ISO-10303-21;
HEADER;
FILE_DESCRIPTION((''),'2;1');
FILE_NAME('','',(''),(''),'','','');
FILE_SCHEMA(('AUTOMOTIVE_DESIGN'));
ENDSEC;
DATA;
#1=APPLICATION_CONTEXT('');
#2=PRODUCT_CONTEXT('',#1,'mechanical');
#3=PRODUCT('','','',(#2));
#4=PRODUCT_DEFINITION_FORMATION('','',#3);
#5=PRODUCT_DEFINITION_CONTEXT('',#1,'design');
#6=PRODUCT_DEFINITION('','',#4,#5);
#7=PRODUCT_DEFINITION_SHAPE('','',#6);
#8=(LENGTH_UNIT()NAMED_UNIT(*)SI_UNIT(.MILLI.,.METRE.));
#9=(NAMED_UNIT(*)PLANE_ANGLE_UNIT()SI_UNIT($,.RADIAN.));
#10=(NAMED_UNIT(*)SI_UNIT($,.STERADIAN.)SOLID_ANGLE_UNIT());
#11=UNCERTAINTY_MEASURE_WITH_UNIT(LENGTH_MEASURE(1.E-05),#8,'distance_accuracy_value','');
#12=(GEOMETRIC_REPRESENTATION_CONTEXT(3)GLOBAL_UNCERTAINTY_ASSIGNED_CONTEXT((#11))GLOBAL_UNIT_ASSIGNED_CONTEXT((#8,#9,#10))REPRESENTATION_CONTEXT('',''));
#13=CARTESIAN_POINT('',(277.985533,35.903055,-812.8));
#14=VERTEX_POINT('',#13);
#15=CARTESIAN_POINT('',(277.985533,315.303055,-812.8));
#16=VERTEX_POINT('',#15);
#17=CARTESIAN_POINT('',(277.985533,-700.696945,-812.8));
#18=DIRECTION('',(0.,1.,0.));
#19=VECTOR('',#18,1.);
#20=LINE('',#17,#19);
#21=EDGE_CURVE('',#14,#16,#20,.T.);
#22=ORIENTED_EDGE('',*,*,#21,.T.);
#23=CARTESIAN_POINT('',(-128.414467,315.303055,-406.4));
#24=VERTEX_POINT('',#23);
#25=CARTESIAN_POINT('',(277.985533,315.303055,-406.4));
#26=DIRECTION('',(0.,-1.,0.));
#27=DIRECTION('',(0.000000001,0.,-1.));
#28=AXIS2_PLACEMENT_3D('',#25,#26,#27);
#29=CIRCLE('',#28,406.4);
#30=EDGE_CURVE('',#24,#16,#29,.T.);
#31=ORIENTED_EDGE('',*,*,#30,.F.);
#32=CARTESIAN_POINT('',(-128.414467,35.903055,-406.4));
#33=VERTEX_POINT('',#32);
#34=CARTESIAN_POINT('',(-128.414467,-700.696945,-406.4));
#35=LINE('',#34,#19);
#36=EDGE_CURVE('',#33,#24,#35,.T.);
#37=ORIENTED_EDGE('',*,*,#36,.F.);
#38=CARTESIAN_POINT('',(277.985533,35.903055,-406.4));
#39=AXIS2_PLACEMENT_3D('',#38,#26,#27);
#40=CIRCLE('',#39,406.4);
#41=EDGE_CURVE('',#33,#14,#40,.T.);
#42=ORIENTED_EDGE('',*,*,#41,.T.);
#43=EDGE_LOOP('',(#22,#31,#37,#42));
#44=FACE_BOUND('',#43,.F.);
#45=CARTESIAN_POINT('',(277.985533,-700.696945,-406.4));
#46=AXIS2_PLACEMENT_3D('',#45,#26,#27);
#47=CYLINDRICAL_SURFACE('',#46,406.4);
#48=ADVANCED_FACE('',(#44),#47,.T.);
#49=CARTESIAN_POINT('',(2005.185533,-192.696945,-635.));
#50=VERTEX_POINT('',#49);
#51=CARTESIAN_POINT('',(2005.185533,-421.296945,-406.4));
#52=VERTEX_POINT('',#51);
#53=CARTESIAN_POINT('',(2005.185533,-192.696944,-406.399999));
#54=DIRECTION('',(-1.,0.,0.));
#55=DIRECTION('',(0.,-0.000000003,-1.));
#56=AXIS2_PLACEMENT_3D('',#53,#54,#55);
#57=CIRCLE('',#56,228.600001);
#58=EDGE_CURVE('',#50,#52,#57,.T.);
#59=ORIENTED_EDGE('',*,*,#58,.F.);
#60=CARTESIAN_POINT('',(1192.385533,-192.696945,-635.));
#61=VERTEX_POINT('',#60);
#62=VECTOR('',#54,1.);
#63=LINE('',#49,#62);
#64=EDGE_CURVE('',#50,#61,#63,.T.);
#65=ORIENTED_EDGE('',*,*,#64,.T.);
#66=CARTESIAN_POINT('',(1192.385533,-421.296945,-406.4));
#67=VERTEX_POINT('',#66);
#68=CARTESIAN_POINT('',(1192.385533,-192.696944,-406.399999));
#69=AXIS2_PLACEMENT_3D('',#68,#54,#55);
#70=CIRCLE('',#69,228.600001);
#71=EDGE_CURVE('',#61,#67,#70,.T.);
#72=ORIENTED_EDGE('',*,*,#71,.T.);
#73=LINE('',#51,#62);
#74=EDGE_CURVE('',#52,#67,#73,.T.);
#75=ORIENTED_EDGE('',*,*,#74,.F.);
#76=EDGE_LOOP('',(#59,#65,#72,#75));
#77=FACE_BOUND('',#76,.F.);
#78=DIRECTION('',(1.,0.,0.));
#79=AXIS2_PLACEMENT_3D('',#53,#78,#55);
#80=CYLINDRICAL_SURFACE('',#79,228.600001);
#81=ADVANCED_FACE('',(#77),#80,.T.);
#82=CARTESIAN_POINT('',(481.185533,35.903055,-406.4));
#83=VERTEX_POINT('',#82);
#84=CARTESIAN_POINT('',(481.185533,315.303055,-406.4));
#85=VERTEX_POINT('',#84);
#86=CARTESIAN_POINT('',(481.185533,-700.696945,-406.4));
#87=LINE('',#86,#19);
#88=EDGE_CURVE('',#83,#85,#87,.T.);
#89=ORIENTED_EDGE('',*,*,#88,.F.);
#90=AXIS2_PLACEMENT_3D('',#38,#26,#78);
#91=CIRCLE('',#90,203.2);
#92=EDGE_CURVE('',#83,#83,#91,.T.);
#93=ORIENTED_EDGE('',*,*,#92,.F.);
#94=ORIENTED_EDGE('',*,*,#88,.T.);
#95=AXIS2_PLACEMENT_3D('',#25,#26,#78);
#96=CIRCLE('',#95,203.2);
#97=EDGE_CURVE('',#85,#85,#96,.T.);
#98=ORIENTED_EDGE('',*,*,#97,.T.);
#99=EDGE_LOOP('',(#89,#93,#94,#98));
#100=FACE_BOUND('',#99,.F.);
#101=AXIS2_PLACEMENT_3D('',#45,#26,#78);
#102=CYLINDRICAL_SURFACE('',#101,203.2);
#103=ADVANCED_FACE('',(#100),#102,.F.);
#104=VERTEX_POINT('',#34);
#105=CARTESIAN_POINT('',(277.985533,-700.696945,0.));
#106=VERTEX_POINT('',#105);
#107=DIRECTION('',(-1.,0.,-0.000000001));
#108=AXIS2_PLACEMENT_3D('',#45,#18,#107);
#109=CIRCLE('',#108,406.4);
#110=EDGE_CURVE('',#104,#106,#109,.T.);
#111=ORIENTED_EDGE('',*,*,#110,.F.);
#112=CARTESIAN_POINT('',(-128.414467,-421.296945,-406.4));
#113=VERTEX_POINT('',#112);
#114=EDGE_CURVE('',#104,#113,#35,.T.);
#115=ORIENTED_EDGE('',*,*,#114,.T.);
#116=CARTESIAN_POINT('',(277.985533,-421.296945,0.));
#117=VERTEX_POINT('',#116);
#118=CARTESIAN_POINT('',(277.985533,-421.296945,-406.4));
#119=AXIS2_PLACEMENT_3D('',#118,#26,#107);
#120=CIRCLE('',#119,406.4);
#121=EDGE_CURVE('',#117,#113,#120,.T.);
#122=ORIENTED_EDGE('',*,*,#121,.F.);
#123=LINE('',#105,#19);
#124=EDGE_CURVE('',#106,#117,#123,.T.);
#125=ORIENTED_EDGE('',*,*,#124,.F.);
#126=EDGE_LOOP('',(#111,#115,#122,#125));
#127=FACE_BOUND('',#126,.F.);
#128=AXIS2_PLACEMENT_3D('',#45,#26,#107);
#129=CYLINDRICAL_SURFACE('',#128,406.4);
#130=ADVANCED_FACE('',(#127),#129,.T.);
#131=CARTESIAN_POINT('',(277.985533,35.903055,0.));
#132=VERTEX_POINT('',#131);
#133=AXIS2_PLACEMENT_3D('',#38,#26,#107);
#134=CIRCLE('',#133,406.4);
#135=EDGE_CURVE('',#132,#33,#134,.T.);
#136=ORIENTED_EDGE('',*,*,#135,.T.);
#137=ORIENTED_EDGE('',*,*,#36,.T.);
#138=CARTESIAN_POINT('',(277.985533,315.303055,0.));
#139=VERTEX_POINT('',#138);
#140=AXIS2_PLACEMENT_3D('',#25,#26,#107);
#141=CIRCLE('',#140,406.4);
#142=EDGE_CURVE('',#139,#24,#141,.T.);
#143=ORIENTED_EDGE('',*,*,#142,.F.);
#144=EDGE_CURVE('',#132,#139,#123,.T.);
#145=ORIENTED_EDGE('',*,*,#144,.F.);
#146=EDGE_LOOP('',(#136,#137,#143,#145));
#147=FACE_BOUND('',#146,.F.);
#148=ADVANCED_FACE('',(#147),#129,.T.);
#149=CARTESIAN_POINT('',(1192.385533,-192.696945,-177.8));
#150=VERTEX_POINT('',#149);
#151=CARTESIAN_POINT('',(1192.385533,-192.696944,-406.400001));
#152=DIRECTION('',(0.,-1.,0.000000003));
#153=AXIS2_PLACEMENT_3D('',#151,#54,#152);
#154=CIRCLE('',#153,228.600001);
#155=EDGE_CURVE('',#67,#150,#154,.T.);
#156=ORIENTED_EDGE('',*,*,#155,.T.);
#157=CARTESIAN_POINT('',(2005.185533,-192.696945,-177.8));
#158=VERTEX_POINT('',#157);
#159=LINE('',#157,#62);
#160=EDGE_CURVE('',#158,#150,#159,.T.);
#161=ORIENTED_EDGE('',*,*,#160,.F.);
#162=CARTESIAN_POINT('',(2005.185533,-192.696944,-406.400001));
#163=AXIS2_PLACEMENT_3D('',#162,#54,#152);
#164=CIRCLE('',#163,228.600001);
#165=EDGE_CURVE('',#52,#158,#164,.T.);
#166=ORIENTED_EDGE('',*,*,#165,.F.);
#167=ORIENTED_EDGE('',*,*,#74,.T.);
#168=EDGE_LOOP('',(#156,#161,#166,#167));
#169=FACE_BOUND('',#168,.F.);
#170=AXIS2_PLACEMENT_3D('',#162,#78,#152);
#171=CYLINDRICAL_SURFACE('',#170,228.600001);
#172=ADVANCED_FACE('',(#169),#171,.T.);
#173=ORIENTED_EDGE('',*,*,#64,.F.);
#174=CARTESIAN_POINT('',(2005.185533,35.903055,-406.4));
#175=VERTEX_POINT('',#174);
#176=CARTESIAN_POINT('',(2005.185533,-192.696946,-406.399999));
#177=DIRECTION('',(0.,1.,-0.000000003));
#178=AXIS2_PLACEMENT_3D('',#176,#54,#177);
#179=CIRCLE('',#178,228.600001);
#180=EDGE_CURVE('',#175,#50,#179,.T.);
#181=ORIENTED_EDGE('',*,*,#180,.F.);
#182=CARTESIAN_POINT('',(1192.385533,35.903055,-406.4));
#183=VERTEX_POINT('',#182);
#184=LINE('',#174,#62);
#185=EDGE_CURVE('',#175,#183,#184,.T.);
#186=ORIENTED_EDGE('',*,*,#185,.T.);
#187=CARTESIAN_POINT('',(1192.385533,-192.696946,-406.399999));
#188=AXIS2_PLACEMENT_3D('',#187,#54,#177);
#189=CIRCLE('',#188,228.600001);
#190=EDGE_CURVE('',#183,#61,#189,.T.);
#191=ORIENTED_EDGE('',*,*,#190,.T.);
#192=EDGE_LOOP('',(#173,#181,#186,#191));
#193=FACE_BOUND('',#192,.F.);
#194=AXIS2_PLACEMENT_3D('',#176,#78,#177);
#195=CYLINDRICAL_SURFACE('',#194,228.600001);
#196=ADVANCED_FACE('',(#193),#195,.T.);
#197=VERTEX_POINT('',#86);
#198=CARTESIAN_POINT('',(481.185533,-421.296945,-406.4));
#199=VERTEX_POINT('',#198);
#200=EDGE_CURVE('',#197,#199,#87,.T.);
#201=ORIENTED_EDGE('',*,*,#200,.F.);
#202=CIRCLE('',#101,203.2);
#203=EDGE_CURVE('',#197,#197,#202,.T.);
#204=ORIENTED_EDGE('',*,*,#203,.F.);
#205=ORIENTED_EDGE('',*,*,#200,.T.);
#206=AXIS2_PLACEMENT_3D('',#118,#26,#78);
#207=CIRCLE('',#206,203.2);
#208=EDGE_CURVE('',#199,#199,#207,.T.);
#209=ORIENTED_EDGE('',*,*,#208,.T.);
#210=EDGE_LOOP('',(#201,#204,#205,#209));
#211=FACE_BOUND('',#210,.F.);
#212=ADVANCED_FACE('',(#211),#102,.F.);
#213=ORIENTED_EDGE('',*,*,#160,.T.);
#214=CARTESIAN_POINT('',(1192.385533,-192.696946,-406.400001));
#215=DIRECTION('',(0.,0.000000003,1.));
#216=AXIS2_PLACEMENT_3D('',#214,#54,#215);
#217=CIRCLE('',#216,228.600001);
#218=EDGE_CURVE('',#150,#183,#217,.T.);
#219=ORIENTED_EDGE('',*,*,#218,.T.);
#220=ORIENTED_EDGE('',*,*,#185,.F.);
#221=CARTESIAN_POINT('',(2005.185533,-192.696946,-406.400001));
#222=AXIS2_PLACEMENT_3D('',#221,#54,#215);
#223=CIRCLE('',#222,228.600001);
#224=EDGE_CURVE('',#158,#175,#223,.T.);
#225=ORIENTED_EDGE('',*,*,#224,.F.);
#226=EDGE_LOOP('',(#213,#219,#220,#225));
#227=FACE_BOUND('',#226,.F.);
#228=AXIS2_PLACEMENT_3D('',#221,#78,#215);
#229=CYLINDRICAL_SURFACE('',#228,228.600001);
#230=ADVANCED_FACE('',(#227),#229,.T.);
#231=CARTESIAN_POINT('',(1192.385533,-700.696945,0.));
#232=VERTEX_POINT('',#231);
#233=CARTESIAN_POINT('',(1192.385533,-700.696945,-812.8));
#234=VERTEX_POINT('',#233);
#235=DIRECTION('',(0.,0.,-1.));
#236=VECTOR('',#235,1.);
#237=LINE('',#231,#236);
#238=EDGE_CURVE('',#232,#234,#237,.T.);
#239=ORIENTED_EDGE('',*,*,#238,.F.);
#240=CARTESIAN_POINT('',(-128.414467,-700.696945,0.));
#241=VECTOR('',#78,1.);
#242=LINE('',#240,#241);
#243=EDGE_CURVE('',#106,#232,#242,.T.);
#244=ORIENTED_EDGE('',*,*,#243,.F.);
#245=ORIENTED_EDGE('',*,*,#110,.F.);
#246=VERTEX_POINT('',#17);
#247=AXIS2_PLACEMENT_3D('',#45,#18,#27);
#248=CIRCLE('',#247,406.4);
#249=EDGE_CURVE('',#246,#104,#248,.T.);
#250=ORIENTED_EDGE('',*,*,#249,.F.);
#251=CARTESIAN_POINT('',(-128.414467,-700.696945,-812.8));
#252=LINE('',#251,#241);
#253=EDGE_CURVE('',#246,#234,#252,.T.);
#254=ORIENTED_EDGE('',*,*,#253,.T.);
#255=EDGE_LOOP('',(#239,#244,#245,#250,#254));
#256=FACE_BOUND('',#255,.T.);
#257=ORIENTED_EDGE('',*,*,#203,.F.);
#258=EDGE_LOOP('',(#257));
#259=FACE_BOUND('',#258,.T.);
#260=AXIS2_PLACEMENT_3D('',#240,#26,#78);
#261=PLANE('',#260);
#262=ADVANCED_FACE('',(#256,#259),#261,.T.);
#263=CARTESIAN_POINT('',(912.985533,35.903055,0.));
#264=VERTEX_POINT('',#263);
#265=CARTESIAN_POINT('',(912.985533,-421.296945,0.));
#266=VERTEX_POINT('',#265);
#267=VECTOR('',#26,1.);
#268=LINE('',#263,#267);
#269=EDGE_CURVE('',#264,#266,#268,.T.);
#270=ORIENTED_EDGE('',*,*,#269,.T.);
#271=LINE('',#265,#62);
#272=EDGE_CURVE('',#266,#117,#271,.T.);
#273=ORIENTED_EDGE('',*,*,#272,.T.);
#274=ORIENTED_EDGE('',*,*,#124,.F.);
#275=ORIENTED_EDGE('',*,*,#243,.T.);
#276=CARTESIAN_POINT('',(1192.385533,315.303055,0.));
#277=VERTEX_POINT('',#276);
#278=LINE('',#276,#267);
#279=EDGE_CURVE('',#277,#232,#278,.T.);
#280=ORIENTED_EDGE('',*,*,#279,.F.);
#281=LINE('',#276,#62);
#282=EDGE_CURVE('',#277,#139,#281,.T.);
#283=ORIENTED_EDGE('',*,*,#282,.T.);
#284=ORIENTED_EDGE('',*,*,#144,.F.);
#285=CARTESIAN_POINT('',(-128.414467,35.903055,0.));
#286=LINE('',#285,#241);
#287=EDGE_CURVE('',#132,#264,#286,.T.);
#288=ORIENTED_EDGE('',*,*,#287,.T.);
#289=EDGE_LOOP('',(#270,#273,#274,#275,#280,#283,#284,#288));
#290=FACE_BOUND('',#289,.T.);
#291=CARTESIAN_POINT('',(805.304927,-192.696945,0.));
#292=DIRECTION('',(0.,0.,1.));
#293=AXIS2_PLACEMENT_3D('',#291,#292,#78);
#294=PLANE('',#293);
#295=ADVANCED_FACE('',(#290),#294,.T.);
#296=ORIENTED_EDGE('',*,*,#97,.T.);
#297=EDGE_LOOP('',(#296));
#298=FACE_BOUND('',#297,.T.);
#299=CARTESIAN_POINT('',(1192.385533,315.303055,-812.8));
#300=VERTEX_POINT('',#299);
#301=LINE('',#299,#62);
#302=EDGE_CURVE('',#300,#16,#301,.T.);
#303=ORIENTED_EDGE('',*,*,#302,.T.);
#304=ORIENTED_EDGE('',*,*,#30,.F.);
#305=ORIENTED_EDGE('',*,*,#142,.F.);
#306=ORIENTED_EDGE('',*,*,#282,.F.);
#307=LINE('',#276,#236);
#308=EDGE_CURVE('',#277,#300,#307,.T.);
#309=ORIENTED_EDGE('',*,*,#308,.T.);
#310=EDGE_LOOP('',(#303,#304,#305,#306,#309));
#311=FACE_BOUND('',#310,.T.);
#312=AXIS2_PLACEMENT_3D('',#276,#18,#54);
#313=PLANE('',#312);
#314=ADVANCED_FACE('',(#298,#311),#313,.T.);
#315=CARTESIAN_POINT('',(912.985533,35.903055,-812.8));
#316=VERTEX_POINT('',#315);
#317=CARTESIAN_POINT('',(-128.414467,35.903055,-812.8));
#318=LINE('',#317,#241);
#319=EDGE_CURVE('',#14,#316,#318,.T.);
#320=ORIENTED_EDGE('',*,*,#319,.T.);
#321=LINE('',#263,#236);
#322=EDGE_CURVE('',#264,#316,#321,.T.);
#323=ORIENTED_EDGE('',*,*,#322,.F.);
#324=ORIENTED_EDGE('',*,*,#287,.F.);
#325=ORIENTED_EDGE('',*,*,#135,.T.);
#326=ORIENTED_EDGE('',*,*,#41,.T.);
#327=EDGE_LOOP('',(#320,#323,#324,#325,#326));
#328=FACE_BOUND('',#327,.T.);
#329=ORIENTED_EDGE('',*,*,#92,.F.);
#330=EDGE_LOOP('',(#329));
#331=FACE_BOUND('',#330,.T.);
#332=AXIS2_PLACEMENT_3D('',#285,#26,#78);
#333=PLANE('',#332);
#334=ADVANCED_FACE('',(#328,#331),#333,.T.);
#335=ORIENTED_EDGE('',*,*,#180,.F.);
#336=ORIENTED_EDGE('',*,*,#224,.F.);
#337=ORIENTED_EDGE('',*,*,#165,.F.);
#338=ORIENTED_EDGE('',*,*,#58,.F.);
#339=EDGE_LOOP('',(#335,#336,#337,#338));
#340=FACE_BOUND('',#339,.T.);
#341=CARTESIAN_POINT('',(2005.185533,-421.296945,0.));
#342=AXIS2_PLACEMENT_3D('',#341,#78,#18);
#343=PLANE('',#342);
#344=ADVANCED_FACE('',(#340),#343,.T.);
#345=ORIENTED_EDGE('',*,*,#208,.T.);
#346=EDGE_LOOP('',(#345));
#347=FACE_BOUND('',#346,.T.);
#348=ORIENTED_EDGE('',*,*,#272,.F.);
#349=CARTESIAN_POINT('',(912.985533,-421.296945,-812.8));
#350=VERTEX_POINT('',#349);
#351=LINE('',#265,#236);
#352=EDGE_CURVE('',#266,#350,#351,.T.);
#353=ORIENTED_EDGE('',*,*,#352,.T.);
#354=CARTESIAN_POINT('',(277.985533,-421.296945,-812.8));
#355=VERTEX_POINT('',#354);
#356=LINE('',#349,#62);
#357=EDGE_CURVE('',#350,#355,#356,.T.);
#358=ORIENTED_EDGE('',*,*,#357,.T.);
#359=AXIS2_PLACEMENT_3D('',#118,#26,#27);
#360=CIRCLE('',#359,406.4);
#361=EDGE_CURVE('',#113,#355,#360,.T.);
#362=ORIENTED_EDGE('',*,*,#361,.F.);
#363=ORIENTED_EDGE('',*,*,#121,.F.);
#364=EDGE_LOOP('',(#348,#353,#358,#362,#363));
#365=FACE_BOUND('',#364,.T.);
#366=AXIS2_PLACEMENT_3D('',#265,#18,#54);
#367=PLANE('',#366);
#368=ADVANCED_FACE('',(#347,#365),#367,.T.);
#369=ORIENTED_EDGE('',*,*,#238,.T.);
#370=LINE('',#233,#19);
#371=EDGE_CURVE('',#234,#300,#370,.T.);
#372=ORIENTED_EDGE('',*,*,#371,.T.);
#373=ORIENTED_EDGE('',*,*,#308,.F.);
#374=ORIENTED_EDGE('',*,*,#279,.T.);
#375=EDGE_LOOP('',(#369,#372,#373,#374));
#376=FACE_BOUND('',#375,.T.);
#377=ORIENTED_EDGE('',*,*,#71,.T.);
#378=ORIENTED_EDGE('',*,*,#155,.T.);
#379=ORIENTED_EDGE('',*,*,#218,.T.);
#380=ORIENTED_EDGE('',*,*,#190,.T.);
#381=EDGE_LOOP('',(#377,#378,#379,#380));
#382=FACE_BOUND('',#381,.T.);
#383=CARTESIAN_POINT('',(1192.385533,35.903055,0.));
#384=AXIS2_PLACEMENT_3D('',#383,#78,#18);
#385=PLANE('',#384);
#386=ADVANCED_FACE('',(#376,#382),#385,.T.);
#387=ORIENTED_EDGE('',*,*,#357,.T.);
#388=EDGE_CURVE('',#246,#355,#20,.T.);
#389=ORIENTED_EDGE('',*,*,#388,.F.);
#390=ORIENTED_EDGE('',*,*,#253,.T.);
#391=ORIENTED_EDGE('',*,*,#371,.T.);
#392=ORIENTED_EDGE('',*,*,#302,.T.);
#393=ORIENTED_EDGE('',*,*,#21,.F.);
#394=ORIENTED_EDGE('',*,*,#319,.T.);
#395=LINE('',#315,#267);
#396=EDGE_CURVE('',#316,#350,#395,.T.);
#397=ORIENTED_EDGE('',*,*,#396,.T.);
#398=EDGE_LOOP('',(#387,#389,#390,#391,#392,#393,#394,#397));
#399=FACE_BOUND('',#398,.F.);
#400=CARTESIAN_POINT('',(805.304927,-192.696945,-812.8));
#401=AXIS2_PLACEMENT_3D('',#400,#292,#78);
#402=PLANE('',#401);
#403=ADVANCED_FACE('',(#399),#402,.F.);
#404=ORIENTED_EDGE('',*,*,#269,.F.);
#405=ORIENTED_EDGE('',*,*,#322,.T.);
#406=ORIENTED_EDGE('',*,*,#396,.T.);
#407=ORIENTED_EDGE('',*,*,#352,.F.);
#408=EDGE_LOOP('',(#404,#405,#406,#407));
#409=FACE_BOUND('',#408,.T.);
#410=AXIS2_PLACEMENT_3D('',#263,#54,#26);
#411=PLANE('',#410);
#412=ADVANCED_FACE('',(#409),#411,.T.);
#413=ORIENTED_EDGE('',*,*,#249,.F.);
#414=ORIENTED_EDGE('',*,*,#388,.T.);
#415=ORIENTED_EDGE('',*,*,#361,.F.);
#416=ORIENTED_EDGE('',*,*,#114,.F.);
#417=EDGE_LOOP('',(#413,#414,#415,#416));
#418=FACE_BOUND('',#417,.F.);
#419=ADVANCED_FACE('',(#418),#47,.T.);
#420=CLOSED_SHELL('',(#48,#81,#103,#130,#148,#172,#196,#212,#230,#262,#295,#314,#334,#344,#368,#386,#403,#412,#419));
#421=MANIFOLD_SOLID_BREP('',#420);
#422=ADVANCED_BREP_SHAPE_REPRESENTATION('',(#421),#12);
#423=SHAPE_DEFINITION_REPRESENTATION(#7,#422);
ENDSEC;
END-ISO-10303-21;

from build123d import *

# Parameters (mm, degrees)
F1_DEPTH = 812.8
F2_W     = 812.8
F2_H     = 177.8
F3_DEPTH = 736.601
F4_R     = 203.2
F5_DEPTH = 1016.001
F7_DEPTH = 812.8


with BuildPart() as f1:
    # F0 (on Top) → F1 (new body)
    with BuildSketch(Plane.XY):
        Polygon((1192.385533, 315.303055), (-128.414467, 315.303055), (-128.414467, 35.903055), (912.985533, 35.903055), (912.985533, -421.296945), (-128.414467, -421.296945), (-128.414467, -700.696945), (1192.385533, -700.696945), (1192.385533, -421.296945), (2005.185533, -421.296945), (2005.185533, 35.903055), (1192.385533, 35.903055), align=None)
    extrude(amount=-F1_DEPTH)

    # F2 (on face) → F3 (cut, through all)
    with BuildSketch(Plane.XZ.offset(421.296945)):
        with Locations((1598.785533, -88.9)):
            Rectangle(F2_W, F2_H)
        with Locations((1598.785533, -723.9)):
            Rectangle(F2_W, F2_H)
    extrude(amount=-F3_DEPTH, mode=Mode.SUBTRACT)

    # F4 (on face) → F5 (cut, through all)
    with BuildSketch(Plane.XZ.offset(700.696945)):
        with BuildLine():
            ThreePointArc((-128.414467, -406.4), (-9.382663, -119.031804), (277.985533, 0))
            Line((277.985533, 0), (-128.414467, 0))
            Line((-128.414467, 0), (-128.414467, -406.4))
        make_face()
        with BuildLine():
            ThreePointArc((277.985533, -812.8), (-9.382663, -693.768196), (-128.414467, -406.4))
            Line((-128.414467, -406.4), (-128.414467, -812.8))
            Line((-128.414467, -812.8), (277.985533, -812.8))
        make_face()
        with Locations((277.985533, -406.4)):
            Circle(F4_R)
    extrude(amount=-F5_DEPTH, mode=Mode.SUBTRACT)

    # F6 (on face) → F7 (cut)
    with BuildSketch(Plane.YZ.offset(2005.185533)):
        with BuildLine():
            Line((-421.296945, -635), (-192.696945, -635))
            ThreePointArc((-192.696945, -635), (-354.341555, -568.04461), (-421.296945, -406.4))
            Line((-421.296945, -406.4), (-421.296945, -635))
        make_face()
        with BuildLine():
            Line((35.903055, -635), (35.903055, -406.4))
            ThreePointArc((35.903055, -406.4), (-31.052335, -568.04461), (-192.696945, -635))
            Line((-192.696945, -635), (35.903055, -635))
        make_face()
        with BuildLine():
            ThreePointArc((-421.296945, -406.4), (-354.341555, -244.75539), (-192.696945, -177.8))
            Line((-192.696945, -177.8), (-421.296945, -177.8))
            Line((-421.296945, -177.8), (-421.296945, -406.4))
        make_face()
        with BuildLine():
            ThreePointArc((-192.696945, -177.8), (-31.052335, -244.75539), (35.903055, -406.4))
            Line((35.903055, -406.4), (35.903055, -177.8))
            Line((35.903055, -177.8), (-192.696945, -177.8))
        make_face()
    extrude(amount=-F7_DEPTH, mode=Mode.SUBTRACT)


solid = f1.part
